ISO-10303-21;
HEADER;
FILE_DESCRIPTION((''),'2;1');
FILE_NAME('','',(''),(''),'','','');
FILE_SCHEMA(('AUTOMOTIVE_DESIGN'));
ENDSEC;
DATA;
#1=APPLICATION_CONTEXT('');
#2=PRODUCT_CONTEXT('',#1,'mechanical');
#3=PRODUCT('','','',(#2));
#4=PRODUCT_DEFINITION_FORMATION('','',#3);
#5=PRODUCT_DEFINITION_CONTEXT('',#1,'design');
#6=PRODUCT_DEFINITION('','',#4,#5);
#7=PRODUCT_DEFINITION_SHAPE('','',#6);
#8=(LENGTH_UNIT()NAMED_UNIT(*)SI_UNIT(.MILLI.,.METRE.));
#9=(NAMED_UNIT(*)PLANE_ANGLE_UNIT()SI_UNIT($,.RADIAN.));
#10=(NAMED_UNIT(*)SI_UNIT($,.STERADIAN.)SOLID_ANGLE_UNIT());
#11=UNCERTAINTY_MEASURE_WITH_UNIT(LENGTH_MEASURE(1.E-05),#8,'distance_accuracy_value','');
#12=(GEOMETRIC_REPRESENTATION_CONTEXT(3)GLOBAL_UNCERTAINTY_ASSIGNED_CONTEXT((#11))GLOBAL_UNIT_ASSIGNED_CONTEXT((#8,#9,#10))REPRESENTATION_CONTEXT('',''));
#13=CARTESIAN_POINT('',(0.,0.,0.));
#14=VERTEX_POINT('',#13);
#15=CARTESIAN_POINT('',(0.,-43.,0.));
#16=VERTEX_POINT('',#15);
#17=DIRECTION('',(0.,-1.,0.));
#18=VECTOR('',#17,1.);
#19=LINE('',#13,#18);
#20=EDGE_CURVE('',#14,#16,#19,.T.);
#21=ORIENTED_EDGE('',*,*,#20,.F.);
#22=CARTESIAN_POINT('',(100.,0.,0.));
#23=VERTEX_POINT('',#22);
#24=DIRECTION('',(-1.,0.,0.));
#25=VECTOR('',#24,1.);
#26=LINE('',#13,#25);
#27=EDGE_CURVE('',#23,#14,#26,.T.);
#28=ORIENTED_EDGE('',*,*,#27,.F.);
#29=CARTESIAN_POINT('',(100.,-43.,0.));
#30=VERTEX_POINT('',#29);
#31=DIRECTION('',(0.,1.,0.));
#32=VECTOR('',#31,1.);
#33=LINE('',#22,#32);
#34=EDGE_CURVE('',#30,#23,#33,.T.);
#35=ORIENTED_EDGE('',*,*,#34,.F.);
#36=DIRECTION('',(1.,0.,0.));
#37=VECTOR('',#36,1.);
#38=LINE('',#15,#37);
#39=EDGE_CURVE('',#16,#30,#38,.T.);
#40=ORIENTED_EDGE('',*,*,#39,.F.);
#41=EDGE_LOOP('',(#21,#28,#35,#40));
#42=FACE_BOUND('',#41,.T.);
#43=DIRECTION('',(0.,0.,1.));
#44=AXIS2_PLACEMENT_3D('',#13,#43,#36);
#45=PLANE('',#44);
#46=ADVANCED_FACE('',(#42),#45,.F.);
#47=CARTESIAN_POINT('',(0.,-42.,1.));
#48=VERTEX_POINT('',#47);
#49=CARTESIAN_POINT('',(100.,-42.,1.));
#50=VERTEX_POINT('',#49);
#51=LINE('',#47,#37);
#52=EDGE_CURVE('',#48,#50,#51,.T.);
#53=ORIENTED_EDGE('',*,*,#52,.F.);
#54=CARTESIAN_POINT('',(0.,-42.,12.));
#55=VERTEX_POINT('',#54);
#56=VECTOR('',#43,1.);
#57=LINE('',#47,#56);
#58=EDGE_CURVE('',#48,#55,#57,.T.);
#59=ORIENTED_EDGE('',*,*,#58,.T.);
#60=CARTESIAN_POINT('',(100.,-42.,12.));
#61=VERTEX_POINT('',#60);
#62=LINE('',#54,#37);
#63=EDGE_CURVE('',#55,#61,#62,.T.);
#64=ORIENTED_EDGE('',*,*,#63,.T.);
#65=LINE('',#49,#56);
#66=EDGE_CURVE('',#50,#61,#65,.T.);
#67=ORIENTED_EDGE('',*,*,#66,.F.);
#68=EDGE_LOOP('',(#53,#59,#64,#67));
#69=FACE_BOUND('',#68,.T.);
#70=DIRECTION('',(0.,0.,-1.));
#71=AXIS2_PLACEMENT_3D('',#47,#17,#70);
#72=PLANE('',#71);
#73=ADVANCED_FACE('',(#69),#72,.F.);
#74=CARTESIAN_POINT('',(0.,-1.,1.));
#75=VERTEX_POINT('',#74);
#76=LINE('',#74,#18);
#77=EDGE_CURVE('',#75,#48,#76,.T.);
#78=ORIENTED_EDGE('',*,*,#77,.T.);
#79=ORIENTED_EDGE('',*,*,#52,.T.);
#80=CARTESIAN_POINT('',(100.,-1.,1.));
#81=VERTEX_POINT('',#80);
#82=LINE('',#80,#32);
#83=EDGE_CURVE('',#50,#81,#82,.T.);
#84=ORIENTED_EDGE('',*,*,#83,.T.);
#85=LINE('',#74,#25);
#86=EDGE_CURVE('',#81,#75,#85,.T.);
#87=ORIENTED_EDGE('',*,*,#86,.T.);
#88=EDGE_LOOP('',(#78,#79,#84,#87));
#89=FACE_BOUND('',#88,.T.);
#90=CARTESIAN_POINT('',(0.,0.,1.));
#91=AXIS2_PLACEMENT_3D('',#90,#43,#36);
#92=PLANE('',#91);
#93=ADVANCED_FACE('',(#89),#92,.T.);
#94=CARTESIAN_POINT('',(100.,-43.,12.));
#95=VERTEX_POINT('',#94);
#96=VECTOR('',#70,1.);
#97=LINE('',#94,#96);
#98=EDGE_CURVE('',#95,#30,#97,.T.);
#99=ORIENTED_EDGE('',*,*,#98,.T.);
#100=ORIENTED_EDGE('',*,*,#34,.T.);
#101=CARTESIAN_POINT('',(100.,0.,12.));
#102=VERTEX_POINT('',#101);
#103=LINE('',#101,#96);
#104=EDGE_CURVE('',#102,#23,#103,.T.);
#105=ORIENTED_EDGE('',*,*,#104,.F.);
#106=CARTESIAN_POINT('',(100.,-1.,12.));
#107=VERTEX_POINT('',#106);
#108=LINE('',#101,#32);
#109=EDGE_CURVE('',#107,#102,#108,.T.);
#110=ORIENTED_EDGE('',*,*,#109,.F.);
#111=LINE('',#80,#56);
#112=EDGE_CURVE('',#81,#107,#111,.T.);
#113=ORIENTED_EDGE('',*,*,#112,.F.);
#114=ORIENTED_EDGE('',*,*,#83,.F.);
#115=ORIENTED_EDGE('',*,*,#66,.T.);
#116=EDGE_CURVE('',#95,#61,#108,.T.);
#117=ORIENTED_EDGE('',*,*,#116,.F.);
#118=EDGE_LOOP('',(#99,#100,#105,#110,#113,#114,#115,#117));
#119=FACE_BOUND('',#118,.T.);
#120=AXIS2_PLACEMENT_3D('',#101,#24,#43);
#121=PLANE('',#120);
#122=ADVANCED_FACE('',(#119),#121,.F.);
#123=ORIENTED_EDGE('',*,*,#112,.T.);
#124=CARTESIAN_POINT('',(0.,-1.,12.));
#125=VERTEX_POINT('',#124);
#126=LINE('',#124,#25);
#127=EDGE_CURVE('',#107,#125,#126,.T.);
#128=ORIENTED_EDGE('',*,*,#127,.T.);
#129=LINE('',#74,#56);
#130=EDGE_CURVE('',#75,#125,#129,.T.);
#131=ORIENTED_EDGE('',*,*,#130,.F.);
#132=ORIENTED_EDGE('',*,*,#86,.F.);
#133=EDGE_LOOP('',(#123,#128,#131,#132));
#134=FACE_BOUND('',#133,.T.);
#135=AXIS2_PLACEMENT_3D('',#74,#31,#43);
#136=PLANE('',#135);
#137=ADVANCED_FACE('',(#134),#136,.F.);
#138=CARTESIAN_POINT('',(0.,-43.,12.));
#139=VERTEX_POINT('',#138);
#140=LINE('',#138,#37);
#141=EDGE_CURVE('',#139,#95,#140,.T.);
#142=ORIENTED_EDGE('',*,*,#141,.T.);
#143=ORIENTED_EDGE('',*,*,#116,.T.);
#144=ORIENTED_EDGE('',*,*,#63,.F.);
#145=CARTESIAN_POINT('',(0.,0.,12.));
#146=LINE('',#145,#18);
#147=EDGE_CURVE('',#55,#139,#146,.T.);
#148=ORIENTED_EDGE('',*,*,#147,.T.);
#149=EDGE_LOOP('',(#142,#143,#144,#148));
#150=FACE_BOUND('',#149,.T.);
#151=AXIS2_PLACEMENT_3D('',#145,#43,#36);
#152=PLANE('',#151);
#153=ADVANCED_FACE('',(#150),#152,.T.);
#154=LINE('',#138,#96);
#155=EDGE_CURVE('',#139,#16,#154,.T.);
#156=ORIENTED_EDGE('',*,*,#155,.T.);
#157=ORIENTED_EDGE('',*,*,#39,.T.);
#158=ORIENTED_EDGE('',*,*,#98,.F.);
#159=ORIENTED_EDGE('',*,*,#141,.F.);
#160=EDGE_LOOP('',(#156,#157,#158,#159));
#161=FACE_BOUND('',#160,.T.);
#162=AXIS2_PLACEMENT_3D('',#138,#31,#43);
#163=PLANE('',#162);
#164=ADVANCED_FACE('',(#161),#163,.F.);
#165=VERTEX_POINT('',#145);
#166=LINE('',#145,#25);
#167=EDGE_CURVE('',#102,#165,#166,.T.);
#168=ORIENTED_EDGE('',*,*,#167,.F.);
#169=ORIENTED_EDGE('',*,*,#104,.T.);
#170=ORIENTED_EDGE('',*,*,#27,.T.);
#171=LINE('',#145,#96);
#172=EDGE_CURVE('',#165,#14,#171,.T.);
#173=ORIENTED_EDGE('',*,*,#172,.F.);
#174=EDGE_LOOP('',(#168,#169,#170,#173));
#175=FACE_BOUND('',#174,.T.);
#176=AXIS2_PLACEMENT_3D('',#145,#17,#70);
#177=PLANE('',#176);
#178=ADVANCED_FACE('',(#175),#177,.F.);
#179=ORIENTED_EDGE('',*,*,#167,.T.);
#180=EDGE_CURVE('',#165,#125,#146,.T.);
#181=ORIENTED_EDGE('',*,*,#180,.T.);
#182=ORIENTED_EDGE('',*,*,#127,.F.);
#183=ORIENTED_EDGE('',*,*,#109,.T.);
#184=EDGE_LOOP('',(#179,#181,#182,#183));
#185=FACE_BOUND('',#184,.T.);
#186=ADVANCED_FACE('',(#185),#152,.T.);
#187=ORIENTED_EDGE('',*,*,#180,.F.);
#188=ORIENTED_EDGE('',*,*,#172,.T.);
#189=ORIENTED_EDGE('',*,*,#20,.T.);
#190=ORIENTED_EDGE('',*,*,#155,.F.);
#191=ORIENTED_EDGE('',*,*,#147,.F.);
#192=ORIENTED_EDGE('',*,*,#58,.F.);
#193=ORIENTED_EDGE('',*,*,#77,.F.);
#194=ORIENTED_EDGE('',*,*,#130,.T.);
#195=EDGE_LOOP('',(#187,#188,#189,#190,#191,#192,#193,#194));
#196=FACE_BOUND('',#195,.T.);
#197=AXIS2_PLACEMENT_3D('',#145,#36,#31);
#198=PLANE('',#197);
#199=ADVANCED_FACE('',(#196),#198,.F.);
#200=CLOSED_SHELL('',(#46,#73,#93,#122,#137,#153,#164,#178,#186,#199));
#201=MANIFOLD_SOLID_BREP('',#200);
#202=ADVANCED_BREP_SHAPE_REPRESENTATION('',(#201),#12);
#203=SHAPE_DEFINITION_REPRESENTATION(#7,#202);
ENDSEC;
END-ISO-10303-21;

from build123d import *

# Parameters (mm, degrees)
SKETCH_1_W          = 100
SKETCH_1_H          = 43
EXTRUDE_1_DEPTH     = 12
SKETCH_2_W          = 100
SKETCH_2_H          = 41
CUT_EXTRUDE_1_DEPTH = 11


with BuildPart() as part:
    # 草图1 → 凸台-拉伸1 (new body)
    with BuildSketch(Plane.XY):
        with Locations((50, -21.5)):
            Rectangle(SKETCH_1_W, SKETCH_1_H)
    extrude(amount=EXTRUDE_1_DEPTH)

    # 草图2 → 切除-拉伸1 (cut)
    with BuildSketch(Plane.XY.offset(12)):
        with Locations((50, -21.5)):
            Rectangle(SKETCH_2_W, SKETCH_2_H)
    extrude(amount=-CUT_EXTRUDE_1_DEPTH, mode=Mode.SUBTRACT)


solid = part.part
